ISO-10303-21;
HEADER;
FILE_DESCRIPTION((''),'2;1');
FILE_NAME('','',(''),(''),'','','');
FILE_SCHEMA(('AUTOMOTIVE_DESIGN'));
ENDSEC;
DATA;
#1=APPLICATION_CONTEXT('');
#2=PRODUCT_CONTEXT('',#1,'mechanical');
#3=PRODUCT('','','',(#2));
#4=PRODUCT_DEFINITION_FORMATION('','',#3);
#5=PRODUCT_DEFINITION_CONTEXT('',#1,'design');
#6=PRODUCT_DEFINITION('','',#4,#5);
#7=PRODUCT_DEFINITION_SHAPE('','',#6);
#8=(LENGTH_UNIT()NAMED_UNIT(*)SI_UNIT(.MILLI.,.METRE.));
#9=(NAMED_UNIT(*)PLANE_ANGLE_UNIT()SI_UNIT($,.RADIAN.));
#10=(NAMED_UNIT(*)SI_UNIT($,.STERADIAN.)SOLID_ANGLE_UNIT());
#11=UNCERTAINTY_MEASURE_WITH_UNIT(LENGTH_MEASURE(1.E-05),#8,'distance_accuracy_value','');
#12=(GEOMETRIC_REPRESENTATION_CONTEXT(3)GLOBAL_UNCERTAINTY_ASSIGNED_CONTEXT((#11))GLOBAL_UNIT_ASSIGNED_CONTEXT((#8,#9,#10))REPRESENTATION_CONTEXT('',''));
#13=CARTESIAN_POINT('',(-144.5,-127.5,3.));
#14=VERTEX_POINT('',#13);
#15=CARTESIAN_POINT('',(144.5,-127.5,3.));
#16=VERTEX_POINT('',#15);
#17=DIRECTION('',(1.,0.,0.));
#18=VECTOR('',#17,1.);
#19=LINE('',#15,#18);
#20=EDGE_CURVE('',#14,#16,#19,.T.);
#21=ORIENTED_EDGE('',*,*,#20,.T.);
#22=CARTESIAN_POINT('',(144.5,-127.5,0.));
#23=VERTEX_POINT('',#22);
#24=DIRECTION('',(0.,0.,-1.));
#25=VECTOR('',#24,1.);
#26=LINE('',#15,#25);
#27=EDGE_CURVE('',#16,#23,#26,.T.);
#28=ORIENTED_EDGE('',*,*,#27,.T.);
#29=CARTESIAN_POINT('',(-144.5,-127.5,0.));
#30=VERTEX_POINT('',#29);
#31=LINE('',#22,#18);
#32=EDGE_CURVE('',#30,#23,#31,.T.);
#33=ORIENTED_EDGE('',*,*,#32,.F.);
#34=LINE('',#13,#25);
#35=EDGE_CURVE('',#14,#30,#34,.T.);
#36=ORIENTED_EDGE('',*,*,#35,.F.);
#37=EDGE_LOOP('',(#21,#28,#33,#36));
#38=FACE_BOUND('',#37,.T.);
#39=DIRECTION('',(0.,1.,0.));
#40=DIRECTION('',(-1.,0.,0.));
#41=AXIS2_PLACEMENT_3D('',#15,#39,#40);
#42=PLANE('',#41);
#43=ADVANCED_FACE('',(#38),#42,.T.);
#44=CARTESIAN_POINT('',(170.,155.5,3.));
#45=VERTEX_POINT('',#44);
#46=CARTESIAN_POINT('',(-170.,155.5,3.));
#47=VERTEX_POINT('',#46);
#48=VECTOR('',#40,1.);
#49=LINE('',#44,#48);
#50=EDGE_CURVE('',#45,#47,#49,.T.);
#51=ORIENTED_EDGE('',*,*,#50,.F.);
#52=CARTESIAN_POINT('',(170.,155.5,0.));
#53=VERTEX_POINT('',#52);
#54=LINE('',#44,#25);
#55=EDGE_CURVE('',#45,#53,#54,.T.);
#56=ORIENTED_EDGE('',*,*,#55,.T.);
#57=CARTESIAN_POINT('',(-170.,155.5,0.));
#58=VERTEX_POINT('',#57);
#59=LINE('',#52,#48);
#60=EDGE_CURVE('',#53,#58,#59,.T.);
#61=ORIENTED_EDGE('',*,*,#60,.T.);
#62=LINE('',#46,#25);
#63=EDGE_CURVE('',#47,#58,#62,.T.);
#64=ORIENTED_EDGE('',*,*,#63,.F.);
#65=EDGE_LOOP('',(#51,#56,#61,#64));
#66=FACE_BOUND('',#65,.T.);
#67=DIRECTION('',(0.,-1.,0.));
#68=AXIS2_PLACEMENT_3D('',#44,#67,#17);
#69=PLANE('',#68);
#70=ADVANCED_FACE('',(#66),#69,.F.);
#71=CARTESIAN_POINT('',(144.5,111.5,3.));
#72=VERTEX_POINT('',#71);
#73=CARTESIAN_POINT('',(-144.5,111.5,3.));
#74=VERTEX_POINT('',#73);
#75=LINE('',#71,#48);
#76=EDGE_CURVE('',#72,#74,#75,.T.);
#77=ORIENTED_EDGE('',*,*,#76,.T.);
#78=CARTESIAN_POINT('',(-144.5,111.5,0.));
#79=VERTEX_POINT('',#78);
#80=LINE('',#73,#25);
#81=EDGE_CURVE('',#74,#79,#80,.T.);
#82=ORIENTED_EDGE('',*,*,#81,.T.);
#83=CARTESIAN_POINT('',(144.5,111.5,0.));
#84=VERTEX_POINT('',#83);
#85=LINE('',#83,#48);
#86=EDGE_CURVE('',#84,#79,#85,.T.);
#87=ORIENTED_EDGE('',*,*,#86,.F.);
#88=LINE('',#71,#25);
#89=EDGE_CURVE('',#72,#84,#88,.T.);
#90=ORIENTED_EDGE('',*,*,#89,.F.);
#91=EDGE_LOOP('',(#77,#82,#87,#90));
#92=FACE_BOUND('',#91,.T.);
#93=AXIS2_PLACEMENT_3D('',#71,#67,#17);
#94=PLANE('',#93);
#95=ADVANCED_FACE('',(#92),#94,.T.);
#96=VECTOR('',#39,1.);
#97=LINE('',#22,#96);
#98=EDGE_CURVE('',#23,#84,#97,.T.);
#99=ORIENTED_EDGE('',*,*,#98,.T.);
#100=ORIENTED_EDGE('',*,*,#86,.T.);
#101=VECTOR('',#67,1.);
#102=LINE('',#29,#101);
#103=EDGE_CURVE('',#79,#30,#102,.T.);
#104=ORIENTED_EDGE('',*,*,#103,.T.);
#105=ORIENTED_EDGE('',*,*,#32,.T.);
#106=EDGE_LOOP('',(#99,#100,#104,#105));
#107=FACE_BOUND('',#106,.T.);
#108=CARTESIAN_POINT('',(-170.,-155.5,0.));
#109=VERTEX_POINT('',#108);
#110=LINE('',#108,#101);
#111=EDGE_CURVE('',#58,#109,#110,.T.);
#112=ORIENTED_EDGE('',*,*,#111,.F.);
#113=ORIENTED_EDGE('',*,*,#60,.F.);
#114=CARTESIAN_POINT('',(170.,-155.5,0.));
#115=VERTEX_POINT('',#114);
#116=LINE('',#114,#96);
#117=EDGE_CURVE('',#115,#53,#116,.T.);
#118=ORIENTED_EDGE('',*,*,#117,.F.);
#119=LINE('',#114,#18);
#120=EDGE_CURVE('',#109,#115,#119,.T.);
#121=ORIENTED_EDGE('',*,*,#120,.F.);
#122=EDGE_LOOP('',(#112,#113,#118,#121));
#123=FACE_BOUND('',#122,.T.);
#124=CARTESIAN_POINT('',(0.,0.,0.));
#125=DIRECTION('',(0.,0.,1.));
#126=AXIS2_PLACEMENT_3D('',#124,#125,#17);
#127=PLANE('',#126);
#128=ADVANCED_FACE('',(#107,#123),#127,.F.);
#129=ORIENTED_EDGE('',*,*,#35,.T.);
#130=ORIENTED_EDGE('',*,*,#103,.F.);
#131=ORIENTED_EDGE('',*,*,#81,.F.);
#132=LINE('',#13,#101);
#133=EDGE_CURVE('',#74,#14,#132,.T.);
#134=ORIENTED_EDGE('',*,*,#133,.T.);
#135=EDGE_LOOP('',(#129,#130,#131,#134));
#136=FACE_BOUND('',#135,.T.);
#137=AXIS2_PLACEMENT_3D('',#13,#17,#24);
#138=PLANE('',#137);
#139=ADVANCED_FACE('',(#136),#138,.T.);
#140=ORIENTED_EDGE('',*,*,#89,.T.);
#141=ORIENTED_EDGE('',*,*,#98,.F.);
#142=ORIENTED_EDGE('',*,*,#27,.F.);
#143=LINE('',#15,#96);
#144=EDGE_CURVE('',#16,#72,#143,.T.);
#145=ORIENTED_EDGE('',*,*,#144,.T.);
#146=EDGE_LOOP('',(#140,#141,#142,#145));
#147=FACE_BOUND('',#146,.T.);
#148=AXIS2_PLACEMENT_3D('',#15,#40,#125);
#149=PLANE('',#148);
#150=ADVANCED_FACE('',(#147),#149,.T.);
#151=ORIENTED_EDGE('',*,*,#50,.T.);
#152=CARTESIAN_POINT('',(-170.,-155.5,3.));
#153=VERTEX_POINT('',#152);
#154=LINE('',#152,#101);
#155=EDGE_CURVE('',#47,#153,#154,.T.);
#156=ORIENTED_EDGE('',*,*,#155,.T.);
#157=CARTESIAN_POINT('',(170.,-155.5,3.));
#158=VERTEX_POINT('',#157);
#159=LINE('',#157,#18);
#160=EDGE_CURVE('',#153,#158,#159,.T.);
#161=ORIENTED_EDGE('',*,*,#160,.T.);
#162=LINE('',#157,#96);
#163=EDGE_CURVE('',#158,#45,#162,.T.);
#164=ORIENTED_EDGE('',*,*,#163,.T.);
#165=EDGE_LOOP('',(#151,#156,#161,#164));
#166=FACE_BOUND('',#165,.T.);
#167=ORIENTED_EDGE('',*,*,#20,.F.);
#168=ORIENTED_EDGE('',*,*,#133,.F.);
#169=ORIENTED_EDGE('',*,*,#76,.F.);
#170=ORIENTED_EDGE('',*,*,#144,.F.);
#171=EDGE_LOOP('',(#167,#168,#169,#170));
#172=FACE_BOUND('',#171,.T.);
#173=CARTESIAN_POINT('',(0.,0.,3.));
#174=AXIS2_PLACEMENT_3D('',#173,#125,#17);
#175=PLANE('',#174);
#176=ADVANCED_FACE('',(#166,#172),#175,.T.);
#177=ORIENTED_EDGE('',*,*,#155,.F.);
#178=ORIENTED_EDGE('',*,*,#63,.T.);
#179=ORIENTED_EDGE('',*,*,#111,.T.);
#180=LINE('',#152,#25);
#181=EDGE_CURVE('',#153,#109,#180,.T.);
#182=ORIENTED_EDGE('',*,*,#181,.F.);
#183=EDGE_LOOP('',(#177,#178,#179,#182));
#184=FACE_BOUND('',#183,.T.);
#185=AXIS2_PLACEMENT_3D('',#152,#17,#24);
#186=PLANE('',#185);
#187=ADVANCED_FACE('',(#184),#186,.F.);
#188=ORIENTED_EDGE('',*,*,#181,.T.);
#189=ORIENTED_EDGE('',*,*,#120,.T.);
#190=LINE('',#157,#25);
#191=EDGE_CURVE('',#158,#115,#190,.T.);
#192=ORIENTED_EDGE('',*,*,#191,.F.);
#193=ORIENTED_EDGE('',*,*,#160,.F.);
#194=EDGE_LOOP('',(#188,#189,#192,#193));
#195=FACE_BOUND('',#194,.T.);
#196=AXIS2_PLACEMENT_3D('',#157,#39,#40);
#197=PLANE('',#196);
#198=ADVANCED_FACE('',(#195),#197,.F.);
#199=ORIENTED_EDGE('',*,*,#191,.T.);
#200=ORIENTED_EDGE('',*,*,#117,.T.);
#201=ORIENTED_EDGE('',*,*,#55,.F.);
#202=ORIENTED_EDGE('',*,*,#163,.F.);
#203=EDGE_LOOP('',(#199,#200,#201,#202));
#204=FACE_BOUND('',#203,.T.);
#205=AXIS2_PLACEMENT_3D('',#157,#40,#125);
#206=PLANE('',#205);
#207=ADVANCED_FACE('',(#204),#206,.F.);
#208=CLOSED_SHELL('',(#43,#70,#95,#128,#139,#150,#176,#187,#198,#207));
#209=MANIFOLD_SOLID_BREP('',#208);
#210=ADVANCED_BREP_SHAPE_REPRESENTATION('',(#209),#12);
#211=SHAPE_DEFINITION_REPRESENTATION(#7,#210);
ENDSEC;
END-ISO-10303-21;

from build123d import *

# Parameters (mm, degrees)
SCHIZZO1_W                   = 340
SCHIZZO1_H                   = 311
SCHIZZO1_W_2                 = 289
SCHIZZO1_H_2                 = 239
ESTRUSIONE_ESTRUSIONE1_DEPTH = 3


with BuildPart() as part:
    # Schizzo1 → Estrusione-Estrusione1 (new body)
    with BuildSketch(Plane.XY):
        Rectangle(SCHIZZO1_W, SCHIZZO1_H)
        with Locations((0, -8)):
            Rectangle(SCHIZZO1_W_2, SCHIZZO1_H_2, mode=Mode.SUBTRACT)
    extrude(amount=ESTRUSIONE_ESTRUSIONE1_DEPTH)


solid = part.part
